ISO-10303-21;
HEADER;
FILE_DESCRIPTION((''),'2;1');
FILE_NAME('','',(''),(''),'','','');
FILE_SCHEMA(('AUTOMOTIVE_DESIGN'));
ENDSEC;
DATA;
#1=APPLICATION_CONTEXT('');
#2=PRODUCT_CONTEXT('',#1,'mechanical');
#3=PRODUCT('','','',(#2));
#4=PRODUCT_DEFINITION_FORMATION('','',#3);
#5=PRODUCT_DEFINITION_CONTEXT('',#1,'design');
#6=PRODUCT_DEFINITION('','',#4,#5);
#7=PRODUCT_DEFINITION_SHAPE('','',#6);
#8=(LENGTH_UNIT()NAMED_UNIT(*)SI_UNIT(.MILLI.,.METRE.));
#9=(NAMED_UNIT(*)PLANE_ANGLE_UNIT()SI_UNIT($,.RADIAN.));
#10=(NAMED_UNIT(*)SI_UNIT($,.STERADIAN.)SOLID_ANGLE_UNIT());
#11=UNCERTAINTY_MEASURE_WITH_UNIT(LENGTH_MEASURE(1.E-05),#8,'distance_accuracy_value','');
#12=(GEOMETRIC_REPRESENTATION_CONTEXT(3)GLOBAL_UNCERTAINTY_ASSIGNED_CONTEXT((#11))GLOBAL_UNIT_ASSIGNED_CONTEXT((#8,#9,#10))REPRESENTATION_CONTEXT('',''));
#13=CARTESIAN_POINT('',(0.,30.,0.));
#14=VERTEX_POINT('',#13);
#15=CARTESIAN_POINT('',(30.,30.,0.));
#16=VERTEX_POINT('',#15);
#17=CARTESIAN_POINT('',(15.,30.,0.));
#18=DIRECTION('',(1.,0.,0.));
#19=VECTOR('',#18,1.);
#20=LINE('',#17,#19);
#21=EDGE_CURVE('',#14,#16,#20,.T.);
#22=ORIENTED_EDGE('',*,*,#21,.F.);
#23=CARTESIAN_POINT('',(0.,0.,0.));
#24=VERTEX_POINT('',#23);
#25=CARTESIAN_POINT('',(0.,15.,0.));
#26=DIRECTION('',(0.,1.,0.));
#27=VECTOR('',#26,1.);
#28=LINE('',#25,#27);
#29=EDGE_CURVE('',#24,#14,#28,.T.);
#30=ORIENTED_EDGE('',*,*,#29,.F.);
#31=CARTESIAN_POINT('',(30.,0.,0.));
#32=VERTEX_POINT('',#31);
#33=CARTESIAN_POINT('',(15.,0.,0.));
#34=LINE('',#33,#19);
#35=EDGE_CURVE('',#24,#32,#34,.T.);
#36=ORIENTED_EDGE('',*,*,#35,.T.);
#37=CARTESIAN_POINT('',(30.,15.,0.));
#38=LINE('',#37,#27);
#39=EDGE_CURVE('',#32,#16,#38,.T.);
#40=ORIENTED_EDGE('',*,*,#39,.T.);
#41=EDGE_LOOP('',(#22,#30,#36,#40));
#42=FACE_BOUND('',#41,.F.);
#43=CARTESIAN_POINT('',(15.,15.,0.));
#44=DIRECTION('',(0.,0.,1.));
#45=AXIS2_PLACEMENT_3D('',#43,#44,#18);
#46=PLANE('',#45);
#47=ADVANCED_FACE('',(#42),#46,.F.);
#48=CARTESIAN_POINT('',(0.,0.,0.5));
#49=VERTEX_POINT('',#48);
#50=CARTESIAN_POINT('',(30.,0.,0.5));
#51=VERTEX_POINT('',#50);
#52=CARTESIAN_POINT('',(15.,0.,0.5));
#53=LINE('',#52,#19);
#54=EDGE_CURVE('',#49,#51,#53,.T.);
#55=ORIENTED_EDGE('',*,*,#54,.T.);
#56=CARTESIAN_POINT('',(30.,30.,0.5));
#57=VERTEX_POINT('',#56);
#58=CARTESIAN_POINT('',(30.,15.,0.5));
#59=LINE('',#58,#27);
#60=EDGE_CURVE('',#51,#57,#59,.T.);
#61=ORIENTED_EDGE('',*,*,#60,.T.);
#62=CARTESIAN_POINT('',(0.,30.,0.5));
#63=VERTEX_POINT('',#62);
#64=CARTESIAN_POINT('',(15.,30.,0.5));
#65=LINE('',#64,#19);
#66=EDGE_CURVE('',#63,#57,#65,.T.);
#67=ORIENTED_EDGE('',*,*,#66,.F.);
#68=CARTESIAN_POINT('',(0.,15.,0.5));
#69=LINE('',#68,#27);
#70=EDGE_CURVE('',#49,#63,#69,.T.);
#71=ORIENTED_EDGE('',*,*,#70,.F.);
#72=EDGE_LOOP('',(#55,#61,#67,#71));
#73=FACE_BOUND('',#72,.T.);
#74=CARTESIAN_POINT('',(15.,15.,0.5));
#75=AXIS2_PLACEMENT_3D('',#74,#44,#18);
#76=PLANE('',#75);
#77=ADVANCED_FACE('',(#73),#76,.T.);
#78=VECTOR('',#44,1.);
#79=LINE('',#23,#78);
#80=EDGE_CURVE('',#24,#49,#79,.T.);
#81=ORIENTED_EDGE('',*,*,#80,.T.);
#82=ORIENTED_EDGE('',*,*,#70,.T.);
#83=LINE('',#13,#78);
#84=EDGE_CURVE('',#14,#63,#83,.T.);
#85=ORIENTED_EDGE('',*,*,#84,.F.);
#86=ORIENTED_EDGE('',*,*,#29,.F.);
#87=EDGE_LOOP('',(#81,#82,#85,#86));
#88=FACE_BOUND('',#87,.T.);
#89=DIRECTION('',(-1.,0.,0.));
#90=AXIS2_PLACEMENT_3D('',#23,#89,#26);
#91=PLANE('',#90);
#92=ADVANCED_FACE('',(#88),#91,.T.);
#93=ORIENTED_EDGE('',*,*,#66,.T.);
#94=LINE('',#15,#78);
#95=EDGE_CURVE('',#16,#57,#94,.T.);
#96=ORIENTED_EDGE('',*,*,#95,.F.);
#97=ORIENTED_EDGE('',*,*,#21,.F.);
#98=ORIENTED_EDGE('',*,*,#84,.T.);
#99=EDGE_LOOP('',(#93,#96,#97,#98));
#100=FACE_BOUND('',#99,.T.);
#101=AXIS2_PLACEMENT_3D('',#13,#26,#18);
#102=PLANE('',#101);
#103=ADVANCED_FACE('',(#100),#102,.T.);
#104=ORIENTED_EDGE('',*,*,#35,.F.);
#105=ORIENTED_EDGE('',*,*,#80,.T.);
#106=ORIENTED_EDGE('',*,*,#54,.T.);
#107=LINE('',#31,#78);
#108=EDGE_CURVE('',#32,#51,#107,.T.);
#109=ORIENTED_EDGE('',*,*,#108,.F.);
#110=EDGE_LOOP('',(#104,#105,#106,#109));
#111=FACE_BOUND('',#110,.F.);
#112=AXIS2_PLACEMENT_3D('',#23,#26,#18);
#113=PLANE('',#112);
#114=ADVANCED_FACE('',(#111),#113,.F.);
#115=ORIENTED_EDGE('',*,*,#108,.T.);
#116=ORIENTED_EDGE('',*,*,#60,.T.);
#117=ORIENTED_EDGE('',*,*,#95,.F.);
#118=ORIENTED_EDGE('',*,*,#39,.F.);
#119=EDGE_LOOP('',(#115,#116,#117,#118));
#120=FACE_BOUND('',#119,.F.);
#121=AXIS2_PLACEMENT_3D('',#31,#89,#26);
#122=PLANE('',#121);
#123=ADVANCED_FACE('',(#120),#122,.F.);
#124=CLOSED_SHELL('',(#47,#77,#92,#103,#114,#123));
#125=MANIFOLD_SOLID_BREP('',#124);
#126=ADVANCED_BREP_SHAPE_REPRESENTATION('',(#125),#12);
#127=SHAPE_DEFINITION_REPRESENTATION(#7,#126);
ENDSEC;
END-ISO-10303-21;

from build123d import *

# Parameters (mm, degrees)
SKETCH_W  = 30
SKETCH_H  = 30
PAD_DEPTH = 0.5


with BuildPart() as part:
    # Sketch → Pad (new body)
    with BuildSketch(Plane.XY):
        with Locations((15, 15)):
            Rectangle(SKETCH_W, SKETCH_H)
    extrude(amount=PAD_DEPTH)


solid = part.part
